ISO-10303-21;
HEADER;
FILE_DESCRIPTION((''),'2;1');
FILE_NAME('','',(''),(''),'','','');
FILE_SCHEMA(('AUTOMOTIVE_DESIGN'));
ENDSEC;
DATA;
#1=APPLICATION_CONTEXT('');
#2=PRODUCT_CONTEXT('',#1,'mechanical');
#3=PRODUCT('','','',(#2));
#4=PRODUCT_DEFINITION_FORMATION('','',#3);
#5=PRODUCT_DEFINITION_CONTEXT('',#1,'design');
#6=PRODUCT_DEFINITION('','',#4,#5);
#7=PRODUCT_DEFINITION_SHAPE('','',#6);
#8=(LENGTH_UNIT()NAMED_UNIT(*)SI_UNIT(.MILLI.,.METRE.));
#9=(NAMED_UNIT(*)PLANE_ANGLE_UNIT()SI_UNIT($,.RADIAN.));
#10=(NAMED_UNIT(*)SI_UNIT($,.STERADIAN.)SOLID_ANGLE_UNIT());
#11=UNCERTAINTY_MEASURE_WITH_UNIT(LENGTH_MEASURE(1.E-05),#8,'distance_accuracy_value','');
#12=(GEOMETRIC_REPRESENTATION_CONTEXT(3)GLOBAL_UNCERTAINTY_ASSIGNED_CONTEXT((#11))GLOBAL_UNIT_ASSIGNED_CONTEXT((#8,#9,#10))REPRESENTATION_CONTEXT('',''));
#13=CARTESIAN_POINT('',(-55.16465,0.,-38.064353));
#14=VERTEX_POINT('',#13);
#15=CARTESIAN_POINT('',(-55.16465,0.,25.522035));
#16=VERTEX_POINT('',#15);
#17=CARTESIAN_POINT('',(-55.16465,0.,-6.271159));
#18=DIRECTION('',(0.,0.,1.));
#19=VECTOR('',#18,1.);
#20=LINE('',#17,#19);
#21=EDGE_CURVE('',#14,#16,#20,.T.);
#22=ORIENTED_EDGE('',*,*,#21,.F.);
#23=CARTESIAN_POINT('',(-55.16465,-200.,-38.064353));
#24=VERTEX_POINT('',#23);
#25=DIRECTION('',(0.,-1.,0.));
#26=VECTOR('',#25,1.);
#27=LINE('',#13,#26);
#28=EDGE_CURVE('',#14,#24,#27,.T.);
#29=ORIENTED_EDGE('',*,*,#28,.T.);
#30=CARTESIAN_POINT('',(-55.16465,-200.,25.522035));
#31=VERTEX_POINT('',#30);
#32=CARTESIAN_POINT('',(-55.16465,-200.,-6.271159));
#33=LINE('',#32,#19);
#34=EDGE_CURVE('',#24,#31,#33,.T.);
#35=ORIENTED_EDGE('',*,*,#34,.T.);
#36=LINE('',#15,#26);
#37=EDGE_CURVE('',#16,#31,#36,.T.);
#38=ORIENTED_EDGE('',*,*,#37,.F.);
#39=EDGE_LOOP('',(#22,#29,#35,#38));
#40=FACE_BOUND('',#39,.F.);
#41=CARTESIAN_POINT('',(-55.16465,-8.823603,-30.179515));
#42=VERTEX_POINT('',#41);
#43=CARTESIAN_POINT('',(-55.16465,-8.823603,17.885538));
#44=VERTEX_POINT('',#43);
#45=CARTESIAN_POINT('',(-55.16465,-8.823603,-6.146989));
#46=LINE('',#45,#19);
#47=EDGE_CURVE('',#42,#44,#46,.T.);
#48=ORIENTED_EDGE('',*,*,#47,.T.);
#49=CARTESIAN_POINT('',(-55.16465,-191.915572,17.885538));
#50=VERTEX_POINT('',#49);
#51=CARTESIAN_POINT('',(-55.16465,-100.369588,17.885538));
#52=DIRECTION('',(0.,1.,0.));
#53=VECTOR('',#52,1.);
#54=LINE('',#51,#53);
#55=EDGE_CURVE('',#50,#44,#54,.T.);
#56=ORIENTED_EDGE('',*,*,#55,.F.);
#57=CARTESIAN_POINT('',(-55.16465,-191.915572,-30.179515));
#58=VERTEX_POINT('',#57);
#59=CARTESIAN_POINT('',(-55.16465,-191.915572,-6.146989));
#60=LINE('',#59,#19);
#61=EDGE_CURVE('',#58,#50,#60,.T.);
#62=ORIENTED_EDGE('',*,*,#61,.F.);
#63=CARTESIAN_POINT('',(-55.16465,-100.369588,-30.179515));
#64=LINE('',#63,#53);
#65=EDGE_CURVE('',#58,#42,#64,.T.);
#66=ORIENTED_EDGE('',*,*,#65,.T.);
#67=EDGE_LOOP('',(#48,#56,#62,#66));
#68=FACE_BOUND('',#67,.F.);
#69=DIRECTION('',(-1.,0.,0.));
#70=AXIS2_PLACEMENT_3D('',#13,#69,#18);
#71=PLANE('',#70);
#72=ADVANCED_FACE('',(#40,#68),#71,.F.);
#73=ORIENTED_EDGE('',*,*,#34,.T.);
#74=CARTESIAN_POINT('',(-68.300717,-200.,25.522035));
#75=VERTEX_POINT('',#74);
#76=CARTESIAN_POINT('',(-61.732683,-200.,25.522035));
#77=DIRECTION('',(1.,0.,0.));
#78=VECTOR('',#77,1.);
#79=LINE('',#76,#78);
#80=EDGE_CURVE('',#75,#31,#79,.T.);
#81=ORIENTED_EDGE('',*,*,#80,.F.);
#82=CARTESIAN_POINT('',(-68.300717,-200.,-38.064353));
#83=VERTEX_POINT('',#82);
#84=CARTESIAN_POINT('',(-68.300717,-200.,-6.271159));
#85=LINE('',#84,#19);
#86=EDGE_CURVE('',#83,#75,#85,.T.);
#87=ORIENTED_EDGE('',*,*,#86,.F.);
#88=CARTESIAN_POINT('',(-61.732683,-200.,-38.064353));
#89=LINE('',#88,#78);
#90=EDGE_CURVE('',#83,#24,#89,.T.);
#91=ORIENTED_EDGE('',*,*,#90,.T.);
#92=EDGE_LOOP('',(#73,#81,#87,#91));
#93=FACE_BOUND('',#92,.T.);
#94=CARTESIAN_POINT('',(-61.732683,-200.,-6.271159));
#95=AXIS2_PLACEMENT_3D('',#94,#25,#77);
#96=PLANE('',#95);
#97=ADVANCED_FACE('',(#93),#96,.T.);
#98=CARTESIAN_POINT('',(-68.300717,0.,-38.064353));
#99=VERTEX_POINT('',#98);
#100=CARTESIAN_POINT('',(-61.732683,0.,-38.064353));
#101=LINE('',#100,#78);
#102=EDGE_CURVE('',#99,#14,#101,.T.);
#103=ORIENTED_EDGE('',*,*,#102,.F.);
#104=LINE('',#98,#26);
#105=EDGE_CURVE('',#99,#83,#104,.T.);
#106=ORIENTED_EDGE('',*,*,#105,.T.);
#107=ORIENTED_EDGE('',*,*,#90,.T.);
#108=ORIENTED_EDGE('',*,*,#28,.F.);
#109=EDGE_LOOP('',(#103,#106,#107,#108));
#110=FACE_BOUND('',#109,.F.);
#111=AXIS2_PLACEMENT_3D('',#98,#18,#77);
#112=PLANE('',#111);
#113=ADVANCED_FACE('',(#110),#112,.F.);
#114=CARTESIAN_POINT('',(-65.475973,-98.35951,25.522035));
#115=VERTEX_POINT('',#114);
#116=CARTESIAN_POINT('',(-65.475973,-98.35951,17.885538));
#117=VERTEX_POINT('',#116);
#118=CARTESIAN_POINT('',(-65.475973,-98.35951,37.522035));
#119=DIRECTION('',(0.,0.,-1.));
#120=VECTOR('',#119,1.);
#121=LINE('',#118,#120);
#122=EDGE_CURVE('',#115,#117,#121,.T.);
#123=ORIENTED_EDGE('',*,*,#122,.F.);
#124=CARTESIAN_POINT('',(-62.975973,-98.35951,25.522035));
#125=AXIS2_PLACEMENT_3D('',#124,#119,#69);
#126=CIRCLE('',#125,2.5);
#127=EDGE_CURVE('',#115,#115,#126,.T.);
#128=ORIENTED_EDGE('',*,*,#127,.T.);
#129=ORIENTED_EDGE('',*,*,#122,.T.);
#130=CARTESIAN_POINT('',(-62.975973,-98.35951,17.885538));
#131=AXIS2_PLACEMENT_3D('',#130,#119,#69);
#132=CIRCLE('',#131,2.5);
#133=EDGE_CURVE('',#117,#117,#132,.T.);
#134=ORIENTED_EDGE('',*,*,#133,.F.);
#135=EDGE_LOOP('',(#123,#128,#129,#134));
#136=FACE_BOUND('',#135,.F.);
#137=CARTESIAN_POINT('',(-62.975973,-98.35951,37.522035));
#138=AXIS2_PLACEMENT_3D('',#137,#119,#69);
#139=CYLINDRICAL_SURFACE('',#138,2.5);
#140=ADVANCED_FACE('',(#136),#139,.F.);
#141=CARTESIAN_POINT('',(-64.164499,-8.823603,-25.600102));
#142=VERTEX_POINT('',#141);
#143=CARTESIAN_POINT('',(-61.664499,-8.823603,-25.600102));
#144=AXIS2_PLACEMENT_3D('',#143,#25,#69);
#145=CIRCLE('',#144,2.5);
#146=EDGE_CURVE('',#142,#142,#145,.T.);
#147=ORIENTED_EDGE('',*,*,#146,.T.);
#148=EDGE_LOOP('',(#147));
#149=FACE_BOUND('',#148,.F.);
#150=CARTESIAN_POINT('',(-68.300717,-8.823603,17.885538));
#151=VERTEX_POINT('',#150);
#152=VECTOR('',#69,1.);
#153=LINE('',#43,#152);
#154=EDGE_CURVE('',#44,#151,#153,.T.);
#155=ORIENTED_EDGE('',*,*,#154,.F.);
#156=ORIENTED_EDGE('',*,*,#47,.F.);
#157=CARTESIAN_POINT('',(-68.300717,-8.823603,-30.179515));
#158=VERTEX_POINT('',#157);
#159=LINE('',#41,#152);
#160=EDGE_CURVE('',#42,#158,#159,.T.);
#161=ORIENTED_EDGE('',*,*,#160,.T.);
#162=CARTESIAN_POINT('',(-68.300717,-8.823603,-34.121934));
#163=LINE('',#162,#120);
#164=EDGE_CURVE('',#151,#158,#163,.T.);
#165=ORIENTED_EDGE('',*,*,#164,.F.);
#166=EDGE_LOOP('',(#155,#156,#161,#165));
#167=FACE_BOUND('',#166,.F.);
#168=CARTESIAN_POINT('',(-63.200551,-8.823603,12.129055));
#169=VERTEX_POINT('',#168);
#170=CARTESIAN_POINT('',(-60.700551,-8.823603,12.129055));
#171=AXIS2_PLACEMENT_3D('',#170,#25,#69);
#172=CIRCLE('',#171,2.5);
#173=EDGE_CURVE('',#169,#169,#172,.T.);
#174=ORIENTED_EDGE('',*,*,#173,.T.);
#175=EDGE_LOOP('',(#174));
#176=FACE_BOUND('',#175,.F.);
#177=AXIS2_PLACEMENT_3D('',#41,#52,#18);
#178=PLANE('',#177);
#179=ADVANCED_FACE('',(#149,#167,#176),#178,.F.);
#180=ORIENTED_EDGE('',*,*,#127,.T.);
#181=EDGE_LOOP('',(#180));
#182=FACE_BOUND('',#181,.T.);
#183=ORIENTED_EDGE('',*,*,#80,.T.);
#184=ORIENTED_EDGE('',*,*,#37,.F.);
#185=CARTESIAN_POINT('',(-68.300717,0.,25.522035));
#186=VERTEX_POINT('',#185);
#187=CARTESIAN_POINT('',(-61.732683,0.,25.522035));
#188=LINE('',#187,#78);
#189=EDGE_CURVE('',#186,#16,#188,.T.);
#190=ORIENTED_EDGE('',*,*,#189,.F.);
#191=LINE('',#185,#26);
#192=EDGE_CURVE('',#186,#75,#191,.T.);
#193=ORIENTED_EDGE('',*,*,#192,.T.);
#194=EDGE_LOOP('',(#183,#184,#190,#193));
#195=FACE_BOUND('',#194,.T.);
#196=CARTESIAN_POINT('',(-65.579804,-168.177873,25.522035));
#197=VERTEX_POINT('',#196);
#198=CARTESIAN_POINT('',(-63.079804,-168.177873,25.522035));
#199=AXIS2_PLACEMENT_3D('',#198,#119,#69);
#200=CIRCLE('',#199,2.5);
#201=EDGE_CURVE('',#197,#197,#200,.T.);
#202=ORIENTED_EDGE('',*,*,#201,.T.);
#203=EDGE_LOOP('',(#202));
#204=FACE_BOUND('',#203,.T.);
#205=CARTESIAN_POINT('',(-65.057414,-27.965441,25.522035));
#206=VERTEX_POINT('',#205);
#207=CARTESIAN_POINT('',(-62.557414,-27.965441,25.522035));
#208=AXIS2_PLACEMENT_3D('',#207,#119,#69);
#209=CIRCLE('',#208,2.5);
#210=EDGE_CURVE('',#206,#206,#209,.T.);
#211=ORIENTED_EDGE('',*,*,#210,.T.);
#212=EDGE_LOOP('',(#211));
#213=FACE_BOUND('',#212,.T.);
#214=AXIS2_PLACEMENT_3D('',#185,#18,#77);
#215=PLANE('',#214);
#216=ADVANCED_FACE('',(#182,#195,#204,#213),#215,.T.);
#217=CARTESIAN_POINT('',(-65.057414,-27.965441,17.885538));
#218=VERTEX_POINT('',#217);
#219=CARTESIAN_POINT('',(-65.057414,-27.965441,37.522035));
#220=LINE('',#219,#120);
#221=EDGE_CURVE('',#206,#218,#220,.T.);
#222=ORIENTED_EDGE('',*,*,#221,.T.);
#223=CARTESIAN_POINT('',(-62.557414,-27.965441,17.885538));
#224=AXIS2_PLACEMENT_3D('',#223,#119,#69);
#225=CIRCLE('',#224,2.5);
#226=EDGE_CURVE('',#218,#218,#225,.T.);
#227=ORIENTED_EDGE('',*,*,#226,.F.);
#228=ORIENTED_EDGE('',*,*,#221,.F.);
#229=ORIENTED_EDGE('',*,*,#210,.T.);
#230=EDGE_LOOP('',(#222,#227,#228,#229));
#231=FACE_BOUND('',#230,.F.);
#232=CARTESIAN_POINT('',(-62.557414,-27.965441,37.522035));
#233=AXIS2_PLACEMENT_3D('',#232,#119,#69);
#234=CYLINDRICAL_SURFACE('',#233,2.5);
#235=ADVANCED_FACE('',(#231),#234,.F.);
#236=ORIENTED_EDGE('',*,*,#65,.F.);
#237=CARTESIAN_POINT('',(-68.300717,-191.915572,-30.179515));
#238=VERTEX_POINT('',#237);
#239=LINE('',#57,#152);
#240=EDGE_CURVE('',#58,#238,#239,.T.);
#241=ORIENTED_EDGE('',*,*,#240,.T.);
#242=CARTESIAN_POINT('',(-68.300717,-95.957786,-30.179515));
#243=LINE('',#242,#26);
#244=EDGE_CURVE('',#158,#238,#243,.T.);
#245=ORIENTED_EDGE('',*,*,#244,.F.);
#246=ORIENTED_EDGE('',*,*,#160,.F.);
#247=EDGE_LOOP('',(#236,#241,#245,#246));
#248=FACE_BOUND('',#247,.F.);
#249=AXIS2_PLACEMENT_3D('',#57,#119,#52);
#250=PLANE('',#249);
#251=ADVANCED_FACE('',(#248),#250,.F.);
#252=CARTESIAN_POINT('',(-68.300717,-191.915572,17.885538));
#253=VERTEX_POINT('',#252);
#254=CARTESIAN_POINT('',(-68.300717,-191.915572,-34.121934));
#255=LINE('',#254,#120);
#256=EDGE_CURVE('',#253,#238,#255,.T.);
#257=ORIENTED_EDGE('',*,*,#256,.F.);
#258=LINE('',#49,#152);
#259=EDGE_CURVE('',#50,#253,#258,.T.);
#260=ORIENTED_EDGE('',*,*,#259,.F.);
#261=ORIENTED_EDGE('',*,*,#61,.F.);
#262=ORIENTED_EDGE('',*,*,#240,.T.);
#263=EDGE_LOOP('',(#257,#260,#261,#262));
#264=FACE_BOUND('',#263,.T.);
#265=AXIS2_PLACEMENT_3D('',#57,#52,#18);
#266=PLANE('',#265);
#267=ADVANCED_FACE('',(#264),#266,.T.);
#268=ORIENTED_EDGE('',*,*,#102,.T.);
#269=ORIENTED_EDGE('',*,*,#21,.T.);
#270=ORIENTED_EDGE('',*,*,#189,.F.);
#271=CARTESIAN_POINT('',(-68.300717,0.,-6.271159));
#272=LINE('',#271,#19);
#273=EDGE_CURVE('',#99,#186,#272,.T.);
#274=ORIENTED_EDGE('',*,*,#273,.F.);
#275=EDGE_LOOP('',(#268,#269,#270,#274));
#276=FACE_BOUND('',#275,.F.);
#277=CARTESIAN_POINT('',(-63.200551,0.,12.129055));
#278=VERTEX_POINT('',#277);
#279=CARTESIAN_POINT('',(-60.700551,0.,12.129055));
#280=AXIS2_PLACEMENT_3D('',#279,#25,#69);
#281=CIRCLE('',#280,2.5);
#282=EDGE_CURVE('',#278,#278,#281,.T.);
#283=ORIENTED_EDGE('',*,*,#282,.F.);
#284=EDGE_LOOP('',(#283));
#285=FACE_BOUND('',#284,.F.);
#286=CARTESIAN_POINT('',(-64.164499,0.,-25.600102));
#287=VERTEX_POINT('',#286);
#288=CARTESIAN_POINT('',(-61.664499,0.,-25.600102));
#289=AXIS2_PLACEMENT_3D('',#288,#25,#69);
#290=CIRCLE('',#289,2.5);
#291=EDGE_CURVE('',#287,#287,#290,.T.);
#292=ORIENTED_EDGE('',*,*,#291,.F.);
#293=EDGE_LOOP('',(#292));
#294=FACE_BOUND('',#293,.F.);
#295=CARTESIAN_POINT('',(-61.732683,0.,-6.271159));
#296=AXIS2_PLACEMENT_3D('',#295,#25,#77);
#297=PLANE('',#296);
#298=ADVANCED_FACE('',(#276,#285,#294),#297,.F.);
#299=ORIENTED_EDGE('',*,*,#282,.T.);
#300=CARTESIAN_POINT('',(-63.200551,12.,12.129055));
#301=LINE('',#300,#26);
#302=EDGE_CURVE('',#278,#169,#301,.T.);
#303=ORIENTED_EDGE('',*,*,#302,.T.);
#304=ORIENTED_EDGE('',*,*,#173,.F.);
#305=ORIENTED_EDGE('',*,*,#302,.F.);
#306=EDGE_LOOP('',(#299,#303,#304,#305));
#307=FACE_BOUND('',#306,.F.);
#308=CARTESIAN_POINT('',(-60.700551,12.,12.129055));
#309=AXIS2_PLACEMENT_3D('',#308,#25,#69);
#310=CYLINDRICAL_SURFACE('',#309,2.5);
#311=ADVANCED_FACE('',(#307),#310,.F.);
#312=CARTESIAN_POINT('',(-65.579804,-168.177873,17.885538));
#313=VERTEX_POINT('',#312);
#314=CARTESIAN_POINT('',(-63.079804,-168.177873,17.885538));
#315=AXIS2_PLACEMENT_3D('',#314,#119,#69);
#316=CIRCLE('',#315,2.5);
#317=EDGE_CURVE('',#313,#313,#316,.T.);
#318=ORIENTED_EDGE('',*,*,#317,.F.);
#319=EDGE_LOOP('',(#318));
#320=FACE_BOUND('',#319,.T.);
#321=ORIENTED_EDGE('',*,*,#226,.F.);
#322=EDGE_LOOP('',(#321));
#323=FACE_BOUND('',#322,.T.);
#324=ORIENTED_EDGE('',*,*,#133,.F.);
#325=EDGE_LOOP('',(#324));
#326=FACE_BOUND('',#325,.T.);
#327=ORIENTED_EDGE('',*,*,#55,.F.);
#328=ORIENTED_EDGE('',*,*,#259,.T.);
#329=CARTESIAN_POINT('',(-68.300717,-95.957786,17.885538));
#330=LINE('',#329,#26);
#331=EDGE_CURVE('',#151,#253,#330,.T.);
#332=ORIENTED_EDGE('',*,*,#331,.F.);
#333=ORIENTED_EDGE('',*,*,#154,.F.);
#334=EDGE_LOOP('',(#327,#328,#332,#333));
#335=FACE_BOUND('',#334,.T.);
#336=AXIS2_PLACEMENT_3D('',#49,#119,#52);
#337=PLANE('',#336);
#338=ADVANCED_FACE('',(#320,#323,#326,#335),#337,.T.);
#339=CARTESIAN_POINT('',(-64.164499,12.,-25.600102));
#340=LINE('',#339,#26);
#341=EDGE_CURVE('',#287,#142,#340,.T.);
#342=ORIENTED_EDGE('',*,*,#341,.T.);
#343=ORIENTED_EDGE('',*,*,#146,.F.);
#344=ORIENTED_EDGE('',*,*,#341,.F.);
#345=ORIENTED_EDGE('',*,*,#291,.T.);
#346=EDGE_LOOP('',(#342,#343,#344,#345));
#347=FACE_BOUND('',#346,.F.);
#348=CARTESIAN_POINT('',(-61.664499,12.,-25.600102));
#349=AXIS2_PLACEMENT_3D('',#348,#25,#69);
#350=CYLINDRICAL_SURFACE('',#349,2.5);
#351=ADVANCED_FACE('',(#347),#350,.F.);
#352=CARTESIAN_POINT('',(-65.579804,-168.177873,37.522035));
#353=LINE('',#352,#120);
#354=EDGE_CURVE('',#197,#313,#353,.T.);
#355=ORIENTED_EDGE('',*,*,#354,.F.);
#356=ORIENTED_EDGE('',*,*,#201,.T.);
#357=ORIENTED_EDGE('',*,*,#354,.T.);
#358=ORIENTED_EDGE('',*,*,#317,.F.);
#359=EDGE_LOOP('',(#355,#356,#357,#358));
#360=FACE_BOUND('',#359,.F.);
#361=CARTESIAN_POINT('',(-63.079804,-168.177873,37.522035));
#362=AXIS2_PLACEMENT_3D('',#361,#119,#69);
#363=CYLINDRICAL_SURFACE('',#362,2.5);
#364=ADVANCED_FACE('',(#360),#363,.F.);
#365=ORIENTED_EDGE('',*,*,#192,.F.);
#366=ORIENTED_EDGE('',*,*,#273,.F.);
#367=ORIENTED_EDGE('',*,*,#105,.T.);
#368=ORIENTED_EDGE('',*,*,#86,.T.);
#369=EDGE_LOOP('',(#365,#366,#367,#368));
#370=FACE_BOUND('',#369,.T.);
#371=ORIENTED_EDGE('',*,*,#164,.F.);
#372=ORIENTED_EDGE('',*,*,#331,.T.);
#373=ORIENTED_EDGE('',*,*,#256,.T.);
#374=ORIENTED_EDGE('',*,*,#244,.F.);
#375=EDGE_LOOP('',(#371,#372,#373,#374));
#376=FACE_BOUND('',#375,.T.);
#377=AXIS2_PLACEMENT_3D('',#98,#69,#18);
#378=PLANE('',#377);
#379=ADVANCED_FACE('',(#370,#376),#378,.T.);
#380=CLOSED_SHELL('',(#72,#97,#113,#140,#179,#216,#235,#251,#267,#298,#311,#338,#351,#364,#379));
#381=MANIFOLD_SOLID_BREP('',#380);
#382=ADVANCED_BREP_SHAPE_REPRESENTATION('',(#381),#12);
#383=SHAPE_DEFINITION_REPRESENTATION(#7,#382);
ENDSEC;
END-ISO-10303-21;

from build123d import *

# Parameters (mm, degrees)
F0_W     = 13.1360664964
F0_H     = 63.5863877833
F1_DEPTH = 200
F3_D     = 5
F3_DEPTH = 12
F3_TIP   = 1.5021515476
F5_D     = 5
F5_DEPTH = 12
F5_TIP   = 1.5021515476
F6_W     = 183.091968298
F6_H     = 48.0650532991
F7_DEPTH = 25


with BuildPart() as f1:
    # F0 (on Front) → F1 (new body)
    with BuildSketch(Plane.XZ):
        with Locations((-61.7326833308, -6.2711592764)):
            Rectangle(F0_W, F0_H)
    extrude(amount=F1_DEPTH)

    # F3
    with Locations(Plane.XY.offset(25.5220346153)):
        with Locations((-63.0798041821, -168.1778728962), (-62.9759728909, -98.3595103025), (-62.5574141741, -27.9654413462)):
            Hole(F3_D / 2, depth=F3_DEPTH)
            with Locations((0, 0, -(F3_DEPTH + F3_TIP / 2))):  # 118° drill point
                Cone(0, F3_D / 2, F3_TIP, mode=Mode.SUBTRACT)

    # F5
    with Locations(Plane(origin=(0, 0, 0), x_dir=(1, 0, 0), z_dir=(0, 1, 0))):
        with Locations((-60.7005506754, -12.1290553361), (-61.6644993424, 25.6001017988)):
            Hole(F5_D / 2, depth=F5_DEPTH)
            with Locations((0, 0, -(F5_DEPTH + F5_TIP / 2))):  # 118° drill point
                Cone(0, F5_D / 2, F5_TIP, mode=Mode.SUBTRACT)

    # F6 (on face) → F7 (cut)
    with BuildSketch(Plane.YZ.offset(-55.1646500826)):
        with Locations((-100.3695875406, -6.1469888315)):
            Rectangle(F6_W, F6_H)
    extrude(amount=-F7_DEPTH, mode=Mode.SUBTRACT)


solid = f1.part
